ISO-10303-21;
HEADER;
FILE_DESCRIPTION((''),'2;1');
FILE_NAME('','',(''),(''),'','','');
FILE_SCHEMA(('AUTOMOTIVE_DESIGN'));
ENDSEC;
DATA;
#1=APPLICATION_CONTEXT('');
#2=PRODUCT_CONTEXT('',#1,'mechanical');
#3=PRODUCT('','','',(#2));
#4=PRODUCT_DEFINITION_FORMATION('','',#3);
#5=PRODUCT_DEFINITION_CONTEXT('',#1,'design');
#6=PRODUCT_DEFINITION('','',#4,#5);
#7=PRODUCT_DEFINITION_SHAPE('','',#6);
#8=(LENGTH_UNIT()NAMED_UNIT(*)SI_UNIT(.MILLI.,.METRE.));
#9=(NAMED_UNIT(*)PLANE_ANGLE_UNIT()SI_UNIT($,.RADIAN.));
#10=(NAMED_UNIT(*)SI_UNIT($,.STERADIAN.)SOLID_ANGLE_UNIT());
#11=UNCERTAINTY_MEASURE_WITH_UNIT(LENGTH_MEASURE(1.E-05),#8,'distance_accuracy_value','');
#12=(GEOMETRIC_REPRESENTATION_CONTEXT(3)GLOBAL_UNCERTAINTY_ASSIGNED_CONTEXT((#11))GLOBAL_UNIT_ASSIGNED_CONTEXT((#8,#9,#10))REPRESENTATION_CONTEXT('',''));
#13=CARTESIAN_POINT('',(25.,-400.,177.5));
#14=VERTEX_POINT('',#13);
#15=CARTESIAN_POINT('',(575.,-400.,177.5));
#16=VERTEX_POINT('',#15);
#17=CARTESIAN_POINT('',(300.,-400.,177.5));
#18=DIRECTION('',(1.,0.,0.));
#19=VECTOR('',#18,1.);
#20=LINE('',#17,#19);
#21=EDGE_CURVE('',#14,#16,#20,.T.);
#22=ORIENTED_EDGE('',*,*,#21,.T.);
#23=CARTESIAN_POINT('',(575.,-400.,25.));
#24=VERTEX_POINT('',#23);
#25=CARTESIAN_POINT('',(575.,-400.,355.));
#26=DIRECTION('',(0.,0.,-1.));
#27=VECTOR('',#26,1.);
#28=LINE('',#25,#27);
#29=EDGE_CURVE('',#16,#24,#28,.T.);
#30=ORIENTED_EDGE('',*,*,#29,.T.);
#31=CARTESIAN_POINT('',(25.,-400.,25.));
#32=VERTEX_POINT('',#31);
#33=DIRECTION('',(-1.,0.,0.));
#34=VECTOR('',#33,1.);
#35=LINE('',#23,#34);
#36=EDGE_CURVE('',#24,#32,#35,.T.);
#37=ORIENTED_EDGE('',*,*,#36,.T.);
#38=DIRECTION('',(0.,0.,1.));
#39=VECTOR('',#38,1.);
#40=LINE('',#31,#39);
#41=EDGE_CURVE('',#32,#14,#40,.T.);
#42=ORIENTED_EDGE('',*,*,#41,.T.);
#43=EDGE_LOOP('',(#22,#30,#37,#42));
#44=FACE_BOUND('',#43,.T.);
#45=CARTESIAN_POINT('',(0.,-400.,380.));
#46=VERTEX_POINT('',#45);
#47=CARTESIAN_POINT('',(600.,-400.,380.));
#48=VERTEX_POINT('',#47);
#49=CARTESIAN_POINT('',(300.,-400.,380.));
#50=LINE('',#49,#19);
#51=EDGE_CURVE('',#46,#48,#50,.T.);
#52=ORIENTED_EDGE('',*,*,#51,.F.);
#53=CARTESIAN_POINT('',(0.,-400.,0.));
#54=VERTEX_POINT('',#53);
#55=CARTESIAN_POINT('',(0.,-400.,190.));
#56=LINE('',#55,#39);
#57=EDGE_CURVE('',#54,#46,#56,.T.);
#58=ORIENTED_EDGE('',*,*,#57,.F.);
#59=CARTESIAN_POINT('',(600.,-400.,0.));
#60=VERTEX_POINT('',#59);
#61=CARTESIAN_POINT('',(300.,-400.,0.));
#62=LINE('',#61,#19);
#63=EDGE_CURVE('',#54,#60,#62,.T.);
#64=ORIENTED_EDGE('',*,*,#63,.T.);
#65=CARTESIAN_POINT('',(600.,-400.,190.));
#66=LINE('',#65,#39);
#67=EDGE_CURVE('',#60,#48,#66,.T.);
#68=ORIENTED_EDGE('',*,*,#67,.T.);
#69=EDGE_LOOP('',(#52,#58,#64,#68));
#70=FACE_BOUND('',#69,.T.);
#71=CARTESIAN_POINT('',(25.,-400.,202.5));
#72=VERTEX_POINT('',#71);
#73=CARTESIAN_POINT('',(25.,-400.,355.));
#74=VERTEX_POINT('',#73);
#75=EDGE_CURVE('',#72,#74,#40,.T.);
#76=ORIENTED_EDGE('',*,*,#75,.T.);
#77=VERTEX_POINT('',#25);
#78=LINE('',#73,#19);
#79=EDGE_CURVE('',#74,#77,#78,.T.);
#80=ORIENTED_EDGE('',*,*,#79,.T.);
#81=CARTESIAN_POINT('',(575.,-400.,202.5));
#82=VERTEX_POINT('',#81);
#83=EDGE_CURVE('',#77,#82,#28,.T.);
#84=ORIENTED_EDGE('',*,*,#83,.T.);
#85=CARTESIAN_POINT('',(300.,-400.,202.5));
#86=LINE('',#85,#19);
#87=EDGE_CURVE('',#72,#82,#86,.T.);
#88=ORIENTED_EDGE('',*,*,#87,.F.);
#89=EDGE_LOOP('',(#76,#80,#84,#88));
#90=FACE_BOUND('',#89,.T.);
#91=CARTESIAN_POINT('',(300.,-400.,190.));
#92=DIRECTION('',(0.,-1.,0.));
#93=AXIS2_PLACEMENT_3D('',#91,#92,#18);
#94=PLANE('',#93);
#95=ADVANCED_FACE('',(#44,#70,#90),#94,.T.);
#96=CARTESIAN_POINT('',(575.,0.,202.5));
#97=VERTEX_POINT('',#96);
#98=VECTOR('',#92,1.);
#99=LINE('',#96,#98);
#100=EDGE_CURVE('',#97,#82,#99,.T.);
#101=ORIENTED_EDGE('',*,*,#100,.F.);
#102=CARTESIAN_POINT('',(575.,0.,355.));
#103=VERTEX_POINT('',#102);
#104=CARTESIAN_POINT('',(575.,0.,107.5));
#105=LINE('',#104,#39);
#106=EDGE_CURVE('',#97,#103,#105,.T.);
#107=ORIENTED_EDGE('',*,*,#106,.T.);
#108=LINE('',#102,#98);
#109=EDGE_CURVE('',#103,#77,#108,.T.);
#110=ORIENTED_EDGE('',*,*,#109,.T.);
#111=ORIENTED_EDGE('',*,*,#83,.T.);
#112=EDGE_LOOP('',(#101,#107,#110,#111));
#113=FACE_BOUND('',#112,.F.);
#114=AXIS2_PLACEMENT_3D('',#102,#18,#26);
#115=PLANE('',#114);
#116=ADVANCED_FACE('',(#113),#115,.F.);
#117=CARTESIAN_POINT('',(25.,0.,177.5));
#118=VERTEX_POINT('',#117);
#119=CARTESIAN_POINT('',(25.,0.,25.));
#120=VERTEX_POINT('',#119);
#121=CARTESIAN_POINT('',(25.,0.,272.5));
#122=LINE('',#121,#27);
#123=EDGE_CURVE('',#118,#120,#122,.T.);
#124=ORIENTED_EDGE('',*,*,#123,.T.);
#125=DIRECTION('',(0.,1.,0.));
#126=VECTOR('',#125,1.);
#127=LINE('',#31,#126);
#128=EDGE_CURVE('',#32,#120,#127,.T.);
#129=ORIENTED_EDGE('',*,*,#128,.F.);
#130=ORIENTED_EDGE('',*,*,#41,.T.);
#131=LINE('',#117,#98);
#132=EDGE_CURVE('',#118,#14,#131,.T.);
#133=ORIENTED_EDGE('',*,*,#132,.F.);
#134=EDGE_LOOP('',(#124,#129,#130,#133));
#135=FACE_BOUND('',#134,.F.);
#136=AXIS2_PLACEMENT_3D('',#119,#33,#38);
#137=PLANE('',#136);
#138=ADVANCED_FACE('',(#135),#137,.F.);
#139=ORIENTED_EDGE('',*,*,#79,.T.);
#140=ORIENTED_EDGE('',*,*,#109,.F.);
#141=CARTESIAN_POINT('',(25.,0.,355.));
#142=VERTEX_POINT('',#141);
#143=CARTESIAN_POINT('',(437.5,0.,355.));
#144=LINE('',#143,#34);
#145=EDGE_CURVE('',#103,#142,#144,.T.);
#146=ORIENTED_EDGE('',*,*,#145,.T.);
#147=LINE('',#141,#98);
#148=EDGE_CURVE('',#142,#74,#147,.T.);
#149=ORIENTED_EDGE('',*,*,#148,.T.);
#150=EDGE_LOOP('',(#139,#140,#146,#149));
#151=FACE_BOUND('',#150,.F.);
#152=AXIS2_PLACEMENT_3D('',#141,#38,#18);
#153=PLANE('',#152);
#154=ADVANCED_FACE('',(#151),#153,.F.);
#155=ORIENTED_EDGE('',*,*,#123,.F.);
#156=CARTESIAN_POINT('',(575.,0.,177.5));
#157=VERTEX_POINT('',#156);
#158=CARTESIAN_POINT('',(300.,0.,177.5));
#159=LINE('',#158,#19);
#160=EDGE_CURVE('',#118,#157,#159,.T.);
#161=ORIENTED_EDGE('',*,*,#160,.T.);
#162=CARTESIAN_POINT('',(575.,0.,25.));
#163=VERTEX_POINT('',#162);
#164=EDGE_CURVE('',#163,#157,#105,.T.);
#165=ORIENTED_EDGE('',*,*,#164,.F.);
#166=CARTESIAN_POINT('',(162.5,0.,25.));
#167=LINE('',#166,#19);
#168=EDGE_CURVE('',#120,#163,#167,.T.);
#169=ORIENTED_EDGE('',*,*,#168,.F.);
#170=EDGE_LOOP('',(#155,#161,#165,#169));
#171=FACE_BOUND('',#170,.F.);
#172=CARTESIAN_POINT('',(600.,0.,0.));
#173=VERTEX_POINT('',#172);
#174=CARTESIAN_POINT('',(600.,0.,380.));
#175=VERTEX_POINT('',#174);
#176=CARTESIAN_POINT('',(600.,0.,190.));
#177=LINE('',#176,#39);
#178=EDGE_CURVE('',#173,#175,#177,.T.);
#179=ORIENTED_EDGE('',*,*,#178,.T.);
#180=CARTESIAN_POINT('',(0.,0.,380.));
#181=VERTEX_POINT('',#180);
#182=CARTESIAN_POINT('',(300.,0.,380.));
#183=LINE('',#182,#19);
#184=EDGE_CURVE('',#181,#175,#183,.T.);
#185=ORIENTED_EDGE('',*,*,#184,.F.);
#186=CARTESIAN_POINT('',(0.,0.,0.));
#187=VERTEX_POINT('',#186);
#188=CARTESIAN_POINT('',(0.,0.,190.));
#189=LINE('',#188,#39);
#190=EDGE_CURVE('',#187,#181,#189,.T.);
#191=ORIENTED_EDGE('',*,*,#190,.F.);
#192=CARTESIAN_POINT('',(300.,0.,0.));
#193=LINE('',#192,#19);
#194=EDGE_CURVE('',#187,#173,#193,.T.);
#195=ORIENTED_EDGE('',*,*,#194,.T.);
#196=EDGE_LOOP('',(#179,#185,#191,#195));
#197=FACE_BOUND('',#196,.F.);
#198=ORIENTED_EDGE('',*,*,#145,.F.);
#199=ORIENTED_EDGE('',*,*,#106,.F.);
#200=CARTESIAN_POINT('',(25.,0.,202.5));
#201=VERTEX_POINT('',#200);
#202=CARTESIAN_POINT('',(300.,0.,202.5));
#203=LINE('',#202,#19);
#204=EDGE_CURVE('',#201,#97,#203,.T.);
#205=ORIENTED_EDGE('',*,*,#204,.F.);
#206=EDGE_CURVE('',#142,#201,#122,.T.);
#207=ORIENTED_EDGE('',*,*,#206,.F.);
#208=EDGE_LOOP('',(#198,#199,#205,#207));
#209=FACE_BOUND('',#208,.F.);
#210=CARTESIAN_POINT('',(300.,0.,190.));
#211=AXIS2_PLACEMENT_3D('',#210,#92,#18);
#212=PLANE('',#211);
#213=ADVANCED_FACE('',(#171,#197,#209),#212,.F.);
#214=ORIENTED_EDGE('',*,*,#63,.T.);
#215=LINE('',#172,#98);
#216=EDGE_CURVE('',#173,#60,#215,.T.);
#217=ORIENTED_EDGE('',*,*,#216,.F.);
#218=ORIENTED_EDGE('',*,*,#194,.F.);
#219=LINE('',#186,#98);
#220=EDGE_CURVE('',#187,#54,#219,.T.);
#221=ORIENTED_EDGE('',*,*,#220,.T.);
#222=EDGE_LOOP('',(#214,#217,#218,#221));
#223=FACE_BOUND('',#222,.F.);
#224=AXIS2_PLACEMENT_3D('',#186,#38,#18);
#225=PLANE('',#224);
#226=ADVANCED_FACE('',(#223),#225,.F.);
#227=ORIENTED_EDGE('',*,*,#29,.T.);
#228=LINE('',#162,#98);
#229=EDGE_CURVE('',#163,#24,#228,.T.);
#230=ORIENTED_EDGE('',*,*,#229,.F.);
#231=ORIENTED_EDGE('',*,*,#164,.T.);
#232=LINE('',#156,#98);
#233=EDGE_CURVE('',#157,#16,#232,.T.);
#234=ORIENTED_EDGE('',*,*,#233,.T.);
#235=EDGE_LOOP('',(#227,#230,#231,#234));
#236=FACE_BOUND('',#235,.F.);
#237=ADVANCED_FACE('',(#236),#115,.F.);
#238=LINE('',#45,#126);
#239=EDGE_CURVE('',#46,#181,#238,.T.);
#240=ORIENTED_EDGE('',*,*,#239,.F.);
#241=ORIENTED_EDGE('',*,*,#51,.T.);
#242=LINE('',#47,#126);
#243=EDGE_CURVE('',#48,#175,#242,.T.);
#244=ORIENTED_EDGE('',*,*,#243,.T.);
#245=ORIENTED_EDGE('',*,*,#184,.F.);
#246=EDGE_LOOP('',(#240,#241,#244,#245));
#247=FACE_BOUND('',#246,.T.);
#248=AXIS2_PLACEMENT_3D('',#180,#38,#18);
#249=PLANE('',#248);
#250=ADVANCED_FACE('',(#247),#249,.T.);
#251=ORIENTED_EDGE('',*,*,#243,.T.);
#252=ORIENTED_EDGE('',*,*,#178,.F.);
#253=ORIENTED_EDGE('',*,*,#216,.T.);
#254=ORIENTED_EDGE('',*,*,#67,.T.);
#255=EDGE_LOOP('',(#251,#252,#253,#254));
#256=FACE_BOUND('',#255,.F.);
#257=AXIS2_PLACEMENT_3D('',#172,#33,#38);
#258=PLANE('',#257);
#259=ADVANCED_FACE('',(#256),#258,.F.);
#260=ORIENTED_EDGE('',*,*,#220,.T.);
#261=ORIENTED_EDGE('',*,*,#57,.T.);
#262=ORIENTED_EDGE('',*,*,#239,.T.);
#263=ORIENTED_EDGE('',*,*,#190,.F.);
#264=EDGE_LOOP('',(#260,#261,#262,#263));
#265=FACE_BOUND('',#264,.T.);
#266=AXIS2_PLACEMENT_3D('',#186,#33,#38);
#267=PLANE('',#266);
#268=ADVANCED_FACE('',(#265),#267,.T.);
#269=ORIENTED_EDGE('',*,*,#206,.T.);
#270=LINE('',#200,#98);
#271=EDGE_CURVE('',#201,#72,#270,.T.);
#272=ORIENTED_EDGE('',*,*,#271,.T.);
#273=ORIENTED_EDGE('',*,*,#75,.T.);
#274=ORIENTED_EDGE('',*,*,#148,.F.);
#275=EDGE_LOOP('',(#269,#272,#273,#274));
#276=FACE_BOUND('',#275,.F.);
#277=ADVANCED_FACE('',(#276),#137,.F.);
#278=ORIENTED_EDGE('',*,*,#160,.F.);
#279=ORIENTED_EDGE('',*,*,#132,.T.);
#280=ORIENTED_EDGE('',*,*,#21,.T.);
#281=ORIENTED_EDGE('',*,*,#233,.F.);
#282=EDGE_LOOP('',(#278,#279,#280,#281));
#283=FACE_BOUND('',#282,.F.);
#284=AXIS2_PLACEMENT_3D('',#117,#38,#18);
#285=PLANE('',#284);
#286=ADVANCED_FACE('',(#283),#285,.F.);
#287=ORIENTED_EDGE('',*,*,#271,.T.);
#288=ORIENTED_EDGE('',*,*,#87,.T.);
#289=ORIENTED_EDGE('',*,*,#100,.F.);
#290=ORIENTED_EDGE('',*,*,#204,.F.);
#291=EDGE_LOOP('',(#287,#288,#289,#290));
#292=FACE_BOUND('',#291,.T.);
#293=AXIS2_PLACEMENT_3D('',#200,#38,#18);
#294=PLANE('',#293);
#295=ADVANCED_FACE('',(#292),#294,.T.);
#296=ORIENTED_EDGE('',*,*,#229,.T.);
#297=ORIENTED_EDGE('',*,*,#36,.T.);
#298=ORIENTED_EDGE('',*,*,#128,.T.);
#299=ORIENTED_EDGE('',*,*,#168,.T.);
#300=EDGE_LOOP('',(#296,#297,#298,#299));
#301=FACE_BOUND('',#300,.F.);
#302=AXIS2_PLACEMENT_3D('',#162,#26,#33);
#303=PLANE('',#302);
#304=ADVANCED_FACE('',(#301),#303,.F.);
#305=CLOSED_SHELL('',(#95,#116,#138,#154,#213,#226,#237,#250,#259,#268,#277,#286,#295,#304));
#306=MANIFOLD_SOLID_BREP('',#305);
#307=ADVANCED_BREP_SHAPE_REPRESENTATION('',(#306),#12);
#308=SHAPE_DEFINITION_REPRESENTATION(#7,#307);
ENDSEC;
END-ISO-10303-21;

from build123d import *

# Parameters (mm, degrees)
F0_W     = 600
F0_H     = 380
F0_W_2   = 550
F0_H_2   = 152.5
F0_H_3   = 25
F1_DEPTH = 50
F2_DEPTH = 400
F3_DEPTH = 50.001
F4_DEPTH = 400


with BuildPart() as f1:
    # F0 (on Front) → F1 (new body)
    with BuildSketch(Plane.XZ):
        with Locations((300, 190)):
            Rectangle(F0_W, F0_H)
        Polygon((25, 202.5), (25, 355), (575, 355), (575, 202.5), (575, 177.5), (575, 25), (25, 25), (25, 177.5), align=None, mode=Mode.SUBTRACT)
        with Locations((300, 278.75)):
            Rectangle(F0_W_2, F0_H_2)
        with Locations((300, 190)):
            Rectangle(F0_W_2, F0_H_3)
        with Locations((300, 101.25)):
            Rectangle(F0_W_2, F0_H_2)
    extrude(amount=F1_DEPTH)

    # F0 (on Front) → F2 (join)
    with BuildSketch(Plane.XZ):
        with Locations((300, 190)):
            Rectangle(F0_W, F0_H)
        Polygon((25, 202.5), (25, 355), (575, 355), (575, 202.5), (575, 177.5), (575, 25), (25, 25), (25, 177.5), align=None, mode=Mode.SUBTRACT)
    extrude(amount=F2_DEPTH)

    # F3 (cut, through all): a face of the model
    f3_faces = [f1.faces().sort_by_distance(p)[0] for p in [
        (300, -50, 190),
    ]]
    extrude(f3_faces, amount=-F3_DEPTH, mode=Mode.SUBTRACT)

    # F0 (on Front) → F4 (join, through all)
    with BuildSketch(Plane.XZ):
        with Locations((300, 190)):
            Rectangle(F0_W_2, F0_H_3)
    extrude(amount=F4_DEPTH)


solid = f1.part
